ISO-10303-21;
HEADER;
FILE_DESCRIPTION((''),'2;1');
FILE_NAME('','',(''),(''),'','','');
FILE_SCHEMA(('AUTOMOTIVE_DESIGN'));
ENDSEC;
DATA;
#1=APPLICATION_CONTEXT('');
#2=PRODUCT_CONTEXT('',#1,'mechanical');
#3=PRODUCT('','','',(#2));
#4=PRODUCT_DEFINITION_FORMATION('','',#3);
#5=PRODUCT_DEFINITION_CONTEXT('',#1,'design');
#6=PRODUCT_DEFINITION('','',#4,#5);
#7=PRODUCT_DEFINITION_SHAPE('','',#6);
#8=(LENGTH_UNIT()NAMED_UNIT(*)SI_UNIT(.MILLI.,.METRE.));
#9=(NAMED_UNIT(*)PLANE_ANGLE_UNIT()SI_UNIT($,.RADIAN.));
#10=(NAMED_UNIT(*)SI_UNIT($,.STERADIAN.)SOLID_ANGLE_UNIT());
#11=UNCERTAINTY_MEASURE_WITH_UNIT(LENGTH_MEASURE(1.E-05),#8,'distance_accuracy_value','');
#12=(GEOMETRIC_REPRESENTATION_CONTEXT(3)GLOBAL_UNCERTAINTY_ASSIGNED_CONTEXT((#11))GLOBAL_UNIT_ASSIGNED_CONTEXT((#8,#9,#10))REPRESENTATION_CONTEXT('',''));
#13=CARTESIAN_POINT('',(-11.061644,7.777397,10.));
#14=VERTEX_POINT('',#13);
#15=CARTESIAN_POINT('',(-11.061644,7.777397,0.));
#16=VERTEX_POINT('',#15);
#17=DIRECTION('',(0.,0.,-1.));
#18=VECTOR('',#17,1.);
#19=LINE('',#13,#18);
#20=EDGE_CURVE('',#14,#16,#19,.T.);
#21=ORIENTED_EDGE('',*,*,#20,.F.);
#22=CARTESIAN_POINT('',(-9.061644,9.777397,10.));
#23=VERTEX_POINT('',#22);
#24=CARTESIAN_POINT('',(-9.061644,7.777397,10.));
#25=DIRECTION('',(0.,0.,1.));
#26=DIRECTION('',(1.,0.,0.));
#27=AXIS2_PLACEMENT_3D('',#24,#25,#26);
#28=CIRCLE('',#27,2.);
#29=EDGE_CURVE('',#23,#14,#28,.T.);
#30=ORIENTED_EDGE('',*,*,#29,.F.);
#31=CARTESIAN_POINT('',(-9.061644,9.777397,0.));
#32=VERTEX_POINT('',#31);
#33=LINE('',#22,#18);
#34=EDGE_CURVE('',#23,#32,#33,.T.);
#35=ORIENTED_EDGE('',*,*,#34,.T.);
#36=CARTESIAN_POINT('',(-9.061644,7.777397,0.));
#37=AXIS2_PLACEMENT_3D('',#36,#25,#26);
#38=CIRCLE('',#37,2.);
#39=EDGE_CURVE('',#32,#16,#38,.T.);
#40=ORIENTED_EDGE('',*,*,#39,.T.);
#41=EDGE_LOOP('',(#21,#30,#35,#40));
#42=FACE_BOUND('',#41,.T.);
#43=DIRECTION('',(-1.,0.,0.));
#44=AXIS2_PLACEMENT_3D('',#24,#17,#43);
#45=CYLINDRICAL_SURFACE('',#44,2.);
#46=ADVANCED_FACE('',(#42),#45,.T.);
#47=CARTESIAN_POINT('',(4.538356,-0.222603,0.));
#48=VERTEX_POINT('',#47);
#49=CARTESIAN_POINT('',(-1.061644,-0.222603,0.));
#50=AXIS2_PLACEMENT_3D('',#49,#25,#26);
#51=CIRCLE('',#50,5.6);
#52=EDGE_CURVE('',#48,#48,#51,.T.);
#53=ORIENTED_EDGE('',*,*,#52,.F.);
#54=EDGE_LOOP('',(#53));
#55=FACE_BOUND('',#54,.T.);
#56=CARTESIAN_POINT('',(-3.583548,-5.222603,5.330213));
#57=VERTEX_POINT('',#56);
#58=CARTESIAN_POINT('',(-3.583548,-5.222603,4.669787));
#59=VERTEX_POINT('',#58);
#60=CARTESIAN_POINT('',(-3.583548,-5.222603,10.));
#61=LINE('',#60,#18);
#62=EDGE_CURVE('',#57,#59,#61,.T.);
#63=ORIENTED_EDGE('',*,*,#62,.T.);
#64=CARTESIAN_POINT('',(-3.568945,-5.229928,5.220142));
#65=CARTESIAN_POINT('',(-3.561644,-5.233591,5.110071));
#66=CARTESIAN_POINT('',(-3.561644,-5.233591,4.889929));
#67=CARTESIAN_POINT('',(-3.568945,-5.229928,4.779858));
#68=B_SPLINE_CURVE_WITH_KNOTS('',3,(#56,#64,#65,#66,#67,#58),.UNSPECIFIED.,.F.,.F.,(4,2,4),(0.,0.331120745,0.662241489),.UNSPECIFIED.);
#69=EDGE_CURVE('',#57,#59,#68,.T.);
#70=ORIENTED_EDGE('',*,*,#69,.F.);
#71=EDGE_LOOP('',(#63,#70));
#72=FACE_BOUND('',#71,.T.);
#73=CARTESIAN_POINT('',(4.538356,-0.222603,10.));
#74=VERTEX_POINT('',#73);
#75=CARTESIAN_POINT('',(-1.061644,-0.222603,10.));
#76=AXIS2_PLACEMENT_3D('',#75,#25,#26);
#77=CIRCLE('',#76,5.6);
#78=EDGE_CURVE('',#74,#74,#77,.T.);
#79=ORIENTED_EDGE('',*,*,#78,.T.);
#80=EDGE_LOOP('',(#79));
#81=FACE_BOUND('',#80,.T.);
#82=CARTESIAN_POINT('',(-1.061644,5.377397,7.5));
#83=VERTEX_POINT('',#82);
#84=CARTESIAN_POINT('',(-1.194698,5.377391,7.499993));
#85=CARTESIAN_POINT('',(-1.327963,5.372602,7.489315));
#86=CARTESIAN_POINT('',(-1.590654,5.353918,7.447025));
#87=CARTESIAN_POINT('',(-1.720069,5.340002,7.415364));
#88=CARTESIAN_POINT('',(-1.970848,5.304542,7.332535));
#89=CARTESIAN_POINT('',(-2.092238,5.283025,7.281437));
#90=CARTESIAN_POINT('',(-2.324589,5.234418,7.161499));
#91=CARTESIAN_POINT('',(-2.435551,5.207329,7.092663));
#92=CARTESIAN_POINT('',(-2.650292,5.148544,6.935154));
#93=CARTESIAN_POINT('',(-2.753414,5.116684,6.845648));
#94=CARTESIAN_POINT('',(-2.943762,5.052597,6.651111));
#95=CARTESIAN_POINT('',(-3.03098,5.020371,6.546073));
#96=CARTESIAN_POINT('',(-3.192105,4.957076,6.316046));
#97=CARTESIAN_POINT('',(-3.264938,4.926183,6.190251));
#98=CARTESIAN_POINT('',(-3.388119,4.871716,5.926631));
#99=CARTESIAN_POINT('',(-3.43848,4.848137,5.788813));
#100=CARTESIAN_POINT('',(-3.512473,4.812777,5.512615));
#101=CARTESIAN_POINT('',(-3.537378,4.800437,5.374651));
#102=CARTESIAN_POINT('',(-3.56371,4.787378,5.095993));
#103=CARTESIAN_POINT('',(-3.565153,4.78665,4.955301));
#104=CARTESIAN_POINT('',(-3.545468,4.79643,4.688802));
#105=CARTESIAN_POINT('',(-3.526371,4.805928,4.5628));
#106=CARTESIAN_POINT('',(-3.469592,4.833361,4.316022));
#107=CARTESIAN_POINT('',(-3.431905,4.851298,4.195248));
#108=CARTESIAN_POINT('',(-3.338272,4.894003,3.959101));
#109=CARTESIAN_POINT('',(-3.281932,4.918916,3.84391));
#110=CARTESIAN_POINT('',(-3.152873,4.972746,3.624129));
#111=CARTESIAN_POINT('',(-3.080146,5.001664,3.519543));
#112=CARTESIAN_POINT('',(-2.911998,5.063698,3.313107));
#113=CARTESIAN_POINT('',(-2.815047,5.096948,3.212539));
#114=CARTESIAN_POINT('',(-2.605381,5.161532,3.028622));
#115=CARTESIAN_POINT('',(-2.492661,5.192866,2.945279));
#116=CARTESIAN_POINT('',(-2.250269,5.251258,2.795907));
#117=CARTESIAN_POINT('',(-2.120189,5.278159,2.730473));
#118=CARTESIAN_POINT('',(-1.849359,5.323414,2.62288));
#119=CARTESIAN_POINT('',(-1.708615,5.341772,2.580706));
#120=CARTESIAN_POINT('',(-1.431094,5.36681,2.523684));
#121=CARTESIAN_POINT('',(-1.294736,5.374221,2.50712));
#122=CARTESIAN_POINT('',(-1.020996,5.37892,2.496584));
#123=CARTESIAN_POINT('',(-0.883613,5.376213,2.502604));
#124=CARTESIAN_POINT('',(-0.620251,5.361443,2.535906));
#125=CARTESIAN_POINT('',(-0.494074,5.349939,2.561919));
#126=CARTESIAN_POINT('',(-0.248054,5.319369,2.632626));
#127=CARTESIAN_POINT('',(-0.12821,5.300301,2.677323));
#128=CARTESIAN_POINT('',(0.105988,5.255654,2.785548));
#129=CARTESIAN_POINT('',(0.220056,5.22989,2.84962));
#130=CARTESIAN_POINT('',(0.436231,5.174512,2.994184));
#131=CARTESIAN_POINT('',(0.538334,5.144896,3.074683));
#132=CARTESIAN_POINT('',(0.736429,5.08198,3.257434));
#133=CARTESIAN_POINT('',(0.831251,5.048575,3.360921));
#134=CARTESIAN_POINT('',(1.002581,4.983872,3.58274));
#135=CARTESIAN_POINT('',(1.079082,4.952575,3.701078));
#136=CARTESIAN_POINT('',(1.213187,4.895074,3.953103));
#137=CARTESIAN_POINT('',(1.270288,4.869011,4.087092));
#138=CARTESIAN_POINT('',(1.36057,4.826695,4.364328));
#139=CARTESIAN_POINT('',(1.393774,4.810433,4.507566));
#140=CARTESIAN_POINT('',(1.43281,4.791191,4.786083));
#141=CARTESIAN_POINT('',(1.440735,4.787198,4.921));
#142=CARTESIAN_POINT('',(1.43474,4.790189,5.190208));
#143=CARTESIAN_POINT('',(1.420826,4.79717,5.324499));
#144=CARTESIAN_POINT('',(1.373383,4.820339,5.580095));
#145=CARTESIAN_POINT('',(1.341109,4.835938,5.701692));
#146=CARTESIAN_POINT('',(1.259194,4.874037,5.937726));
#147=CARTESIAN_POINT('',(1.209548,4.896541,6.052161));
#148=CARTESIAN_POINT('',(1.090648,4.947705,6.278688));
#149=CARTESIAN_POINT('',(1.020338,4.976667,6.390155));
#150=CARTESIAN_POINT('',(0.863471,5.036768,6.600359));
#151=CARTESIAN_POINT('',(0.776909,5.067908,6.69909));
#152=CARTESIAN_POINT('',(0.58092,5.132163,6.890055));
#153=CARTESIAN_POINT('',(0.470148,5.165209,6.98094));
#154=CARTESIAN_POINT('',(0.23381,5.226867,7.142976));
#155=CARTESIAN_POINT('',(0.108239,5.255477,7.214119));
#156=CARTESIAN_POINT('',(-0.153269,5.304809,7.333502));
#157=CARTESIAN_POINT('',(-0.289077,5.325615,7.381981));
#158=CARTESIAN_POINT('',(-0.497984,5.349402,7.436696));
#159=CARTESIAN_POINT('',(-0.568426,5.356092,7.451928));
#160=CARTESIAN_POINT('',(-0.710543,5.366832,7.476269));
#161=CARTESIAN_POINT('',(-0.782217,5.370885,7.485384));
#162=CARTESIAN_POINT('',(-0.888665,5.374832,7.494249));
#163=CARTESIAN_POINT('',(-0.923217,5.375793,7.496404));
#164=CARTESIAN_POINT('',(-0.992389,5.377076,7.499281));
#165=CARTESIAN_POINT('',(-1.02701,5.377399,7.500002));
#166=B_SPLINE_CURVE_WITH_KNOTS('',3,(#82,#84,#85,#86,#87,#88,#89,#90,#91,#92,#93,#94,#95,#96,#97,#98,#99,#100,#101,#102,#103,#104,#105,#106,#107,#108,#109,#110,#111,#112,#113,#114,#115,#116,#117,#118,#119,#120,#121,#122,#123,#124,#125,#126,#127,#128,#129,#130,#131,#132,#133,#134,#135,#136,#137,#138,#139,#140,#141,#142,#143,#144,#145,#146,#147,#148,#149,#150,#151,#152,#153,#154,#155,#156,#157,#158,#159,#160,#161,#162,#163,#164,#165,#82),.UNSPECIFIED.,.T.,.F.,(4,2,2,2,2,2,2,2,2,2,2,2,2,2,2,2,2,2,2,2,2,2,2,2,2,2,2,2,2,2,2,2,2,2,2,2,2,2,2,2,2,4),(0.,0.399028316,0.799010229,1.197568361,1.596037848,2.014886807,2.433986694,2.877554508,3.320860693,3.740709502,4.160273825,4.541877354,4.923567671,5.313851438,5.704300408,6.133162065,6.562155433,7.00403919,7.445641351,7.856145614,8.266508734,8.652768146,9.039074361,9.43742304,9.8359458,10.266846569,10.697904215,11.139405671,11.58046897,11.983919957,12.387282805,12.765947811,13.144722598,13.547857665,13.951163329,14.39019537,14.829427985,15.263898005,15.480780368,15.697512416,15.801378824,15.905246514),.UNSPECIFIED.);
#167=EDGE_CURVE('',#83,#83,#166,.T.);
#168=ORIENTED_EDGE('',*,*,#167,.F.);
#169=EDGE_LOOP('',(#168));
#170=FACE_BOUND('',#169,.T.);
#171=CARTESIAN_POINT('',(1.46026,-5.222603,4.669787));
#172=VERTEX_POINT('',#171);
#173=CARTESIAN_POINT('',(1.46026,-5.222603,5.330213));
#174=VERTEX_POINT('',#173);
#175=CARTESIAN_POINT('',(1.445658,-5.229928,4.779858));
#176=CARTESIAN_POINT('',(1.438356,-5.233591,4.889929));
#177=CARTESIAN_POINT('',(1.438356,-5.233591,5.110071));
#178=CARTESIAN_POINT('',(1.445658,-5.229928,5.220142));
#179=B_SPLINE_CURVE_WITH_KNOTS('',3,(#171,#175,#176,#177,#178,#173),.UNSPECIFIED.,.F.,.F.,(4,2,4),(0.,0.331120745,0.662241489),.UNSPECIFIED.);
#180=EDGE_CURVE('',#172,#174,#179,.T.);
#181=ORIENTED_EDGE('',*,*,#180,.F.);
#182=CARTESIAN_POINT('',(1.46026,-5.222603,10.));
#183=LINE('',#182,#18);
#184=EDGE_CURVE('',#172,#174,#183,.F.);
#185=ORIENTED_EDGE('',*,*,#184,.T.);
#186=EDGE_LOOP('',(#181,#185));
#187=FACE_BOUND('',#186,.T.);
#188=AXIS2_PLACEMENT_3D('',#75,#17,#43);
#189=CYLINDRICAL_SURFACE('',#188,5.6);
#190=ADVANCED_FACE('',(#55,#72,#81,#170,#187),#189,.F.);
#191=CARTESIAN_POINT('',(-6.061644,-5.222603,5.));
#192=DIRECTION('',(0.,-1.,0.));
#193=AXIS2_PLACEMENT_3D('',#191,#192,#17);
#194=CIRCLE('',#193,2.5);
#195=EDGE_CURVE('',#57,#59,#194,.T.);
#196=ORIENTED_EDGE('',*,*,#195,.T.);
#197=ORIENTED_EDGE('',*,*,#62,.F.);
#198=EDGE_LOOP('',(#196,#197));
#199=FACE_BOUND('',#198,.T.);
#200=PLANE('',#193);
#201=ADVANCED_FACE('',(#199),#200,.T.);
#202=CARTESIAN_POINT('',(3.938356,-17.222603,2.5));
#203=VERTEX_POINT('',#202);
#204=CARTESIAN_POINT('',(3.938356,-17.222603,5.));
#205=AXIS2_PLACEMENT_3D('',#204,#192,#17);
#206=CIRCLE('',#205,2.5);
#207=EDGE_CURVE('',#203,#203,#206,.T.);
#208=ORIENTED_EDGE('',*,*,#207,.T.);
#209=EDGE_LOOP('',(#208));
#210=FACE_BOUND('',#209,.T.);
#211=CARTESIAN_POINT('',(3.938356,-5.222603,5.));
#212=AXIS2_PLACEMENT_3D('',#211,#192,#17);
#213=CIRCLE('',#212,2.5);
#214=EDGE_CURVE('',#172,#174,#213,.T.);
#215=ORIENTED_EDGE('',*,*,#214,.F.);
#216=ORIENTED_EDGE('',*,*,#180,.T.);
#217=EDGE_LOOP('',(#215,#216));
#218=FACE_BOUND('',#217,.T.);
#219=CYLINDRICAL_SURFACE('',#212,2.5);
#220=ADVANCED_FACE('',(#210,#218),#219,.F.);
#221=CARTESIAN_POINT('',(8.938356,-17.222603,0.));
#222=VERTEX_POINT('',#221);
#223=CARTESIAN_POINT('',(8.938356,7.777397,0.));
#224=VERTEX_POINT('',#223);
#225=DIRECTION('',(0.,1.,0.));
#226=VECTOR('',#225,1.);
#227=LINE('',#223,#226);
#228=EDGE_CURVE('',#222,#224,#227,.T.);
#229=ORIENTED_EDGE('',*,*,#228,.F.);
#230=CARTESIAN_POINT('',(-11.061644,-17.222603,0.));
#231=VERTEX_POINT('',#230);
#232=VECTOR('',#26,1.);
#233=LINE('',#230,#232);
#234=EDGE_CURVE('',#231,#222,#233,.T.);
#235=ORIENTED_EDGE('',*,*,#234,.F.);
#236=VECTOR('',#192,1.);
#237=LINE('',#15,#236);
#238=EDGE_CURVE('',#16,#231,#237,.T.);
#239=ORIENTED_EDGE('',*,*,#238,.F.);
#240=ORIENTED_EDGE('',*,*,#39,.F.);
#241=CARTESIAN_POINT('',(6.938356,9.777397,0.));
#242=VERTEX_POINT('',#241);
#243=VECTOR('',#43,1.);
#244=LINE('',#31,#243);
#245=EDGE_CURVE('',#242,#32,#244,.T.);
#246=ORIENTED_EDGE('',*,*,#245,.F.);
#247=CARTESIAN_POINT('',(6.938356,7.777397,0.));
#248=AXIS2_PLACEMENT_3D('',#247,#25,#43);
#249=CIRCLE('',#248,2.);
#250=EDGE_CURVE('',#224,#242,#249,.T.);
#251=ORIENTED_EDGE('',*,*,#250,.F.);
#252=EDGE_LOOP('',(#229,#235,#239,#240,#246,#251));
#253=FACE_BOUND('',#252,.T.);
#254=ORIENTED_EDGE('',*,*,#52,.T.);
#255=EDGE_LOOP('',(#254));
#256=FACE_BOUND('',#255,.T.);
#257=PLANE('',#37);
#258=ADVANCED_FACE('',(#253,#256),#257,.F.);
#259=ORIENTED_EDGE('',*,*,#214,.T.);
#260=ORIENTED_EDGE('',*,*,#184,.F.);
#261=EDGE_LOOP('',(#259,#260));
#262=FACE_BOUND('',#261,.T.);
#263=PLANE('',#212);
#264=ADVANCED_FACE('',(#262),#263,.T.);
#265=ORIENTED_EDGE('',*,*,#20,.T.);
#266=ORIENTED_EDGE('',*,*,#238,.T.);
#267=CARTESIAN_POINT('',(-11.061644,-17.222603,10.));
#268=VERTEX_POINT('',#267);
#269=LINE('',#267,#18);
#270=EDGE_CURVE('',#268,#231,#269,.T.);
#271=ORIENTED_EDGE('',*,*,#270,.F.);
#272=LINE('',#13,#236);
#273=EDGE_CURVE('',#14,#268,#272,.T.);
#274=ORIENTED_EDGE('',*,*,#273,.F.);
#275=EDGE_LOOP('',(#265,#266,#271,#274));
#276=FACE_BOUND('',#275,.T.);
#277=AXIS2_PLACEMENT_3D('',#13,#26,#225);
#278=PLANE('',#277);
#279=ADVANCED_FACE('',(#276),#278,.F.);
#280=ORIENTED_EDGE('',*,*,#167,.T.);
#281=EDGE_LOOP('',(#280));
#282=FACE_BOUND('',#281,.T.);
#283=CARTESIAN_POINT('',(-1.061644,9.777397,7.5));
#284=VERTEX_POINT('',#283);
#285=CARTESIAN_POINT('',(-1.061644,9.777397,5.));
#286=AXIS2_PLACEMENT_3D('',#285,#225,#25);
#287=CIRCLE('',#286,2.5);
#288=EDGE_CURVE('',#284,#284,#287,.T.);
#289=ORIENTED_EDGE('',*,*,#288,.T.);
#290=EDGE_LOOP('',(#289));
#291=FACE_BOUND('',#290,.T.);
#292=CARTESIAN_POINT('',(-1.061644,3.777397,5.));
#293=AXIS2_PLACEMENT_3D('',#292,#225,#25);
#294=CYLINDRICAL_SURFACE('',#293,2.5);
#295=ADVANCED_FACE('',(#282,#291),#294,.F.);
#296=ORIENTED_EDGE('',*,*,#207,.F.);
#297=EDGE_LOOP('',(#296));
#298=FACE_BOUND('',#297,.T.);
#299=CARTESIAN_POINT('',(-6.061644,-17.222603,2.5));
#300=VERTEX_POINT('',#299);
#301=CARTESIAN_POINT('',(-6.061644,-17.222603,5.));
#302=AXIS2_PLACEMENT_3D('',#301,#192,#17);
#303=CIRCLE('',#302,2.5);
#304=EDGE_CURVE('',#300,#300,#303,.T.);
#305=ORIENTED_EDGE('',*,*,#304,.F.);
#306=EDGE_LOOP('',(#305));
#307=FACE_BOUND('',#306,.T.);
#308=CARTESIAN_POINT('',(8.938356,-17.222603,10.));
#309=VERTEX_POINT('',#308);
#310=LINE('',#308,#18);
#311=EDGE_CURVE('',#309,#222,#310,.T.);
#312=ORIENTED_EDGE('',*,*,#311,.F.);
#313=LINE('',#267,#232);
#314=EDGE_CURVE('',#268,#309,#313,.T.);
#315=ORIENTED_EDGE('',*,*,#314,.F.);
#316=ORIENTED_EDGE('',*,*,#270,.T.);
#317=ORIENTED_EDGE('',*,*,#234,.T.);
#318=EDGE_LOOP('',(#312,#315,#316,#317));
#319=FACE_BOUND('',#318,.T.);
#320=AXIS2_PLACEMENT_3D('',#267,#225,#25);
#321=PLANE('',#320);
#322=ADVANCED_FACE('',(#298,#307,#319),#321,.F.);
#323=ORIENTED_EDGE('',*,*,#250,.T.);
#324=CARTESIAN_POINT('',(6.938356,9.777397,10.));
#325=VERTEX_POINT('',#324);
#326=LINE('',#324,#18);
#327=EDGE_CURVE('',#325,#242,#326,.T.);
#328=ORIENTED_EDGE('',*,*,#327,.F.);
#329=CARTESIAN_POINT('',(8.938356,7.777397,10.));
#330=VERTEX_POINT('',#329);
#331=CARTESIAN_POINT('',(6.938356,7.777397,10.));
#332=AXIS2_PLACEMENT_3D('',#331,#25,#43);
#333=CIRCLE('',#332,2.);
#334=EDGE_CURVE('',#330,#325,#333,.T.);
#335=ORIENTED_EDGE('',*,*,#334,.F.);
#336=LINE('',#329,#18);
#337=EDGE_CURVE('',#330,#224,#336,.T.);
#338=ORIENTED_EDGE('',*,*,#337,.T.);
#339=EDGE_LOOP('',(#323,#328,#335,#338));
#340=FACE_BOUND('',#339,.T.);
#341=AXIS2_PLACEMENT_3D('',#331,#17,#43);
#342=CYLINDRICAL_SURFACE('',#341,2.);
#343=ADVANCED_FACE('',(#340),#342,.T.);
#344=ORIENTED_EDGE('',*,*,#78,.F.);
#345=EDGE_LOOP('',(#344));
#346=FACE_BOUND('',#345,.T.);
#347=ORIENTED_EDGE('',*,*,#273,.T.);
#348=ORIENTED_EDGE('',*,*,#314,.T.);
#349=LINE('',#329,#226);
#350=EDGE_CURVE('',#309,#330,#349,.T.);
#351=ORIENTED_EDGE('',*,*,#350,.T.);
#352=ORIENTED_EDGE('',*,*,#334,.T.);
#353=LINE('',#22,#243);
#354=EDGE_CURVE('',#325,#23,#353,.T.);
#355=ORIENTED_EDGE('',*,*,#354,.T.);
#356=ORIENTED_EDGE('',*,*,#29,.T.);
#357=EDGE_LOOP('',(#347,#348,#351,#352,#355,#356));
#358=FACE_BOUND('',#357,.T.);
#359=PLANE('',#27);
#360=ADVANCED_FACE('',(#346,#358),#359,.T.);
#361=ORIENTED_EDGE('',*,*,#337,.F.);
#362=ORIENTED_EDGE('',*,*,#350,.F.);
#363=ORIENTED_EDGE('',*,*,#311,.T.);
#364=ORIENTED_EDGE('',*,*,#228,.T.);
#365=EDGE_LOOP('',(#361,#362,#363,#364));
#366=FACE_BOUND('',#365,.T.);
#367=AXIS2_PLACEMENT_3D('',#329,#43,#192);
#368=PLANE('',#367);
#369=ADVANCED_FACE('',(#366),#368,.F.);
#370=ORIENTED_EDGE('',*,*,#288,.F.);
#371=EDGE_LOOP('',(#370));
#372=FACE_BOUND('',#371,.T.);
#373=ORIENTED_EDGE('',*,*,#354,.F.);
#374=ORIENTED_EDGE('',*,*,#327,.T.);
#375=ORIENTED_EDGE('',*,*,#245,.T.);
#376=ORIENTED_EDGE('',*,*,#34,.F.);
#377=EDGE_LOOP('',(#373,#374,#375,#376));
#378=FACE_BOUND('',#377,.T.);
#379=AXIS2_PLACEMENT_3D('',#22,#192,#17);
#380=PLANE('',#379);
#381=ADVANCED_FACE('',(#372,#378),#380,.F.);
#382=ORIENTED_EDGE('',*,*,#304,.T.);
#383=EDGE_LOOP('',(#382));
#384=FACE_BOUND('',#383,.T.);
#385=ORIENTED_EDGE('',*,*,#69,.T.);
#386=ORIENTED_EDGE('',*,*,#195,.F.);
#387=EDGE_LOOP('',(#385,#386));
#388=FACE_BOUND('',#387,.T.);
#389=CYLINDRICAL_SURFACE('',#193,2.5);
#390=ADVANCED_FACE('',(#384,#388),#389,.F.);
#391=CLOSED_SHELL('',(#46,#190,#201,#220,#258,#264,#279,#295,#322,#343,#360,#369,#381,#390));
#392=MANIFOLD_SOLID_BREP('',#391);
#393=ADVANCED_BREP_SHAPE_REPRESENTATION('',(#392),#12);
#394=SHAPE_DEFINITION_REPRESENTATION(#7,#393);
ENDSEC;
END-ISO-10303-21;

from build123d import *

# Parameters (mm, degrees)
SKETCH_1_R          = 5.6
EXTRUDE_1_DEPTH     = 10
SKETCH_9_R          = 2.5
CUT_EXTRUDE_1_DEPTH = 6
SKETCH_11_R         = 2.5
CUT_EXTRUDE_2_DEPTH = 12


with BuildPart() as part:
    # 草图1 → 凸台-拉伸1 (new body)
    with BuildSketch(Plane.XY):
        with BuildLine():
            Line((-9.061643836, 9.77739726), (6.938356164, 9.77739726))
            ThreePointArc((6.938356164, 9.77739726), (8.352569727, 9.191610823), (8.938356164, 7.77739726))
            Line((8.938356164, 7.77739726), (8.938356164, -17.22260274))
            Line((8.938356164, -17.22260274), (-11.061643836, -17.22260274))
            Line((-11.061643836, -17.22260274), (-11.061643836, 7.77739726))
            ThreePointArc((-11.061643836, 7.77739726), (-10.475857398, 9.191610823), (-9.061643836, 9.77739726))
        make_face()
        with Locations((-1.061643836, -0.22260274)):
            Circle(SKETCH_1_R, mode=Mode.SUBTRACT)
    extrude(amount=EXTRUDE_1_DEPTH)

    # 草图9 → 切除-拉伸1 (cut)
    with BuildSketch(Plane(origin=(0, 9.77739726, 0), x_dir=(1, 0, 0), z_dir=(0, 1, 0))):
        with Locations((-1.061643836, -5)):
            Circle(SKETCH_9_R)
    extrude(amount=-CUT_EXTRUDE_1_DEPTH, mode=Mode.SUBTRACT)

    # 草图11 → 切除-拉伸2 (cut)
    with BuildSketch(Plane.XZ.offset(17.22260274)):
        with Locations((-6.061643836, 5)):
            Circle(SKETCH_11_R)
        with Locations((3.938356164, 5)):
            Circle(SKETCH_11_R)
    extrude(amount=-CUT_EXTRUDE_2_DEPTH, mode=Mode.SUBTRACT)


solid = part.part
